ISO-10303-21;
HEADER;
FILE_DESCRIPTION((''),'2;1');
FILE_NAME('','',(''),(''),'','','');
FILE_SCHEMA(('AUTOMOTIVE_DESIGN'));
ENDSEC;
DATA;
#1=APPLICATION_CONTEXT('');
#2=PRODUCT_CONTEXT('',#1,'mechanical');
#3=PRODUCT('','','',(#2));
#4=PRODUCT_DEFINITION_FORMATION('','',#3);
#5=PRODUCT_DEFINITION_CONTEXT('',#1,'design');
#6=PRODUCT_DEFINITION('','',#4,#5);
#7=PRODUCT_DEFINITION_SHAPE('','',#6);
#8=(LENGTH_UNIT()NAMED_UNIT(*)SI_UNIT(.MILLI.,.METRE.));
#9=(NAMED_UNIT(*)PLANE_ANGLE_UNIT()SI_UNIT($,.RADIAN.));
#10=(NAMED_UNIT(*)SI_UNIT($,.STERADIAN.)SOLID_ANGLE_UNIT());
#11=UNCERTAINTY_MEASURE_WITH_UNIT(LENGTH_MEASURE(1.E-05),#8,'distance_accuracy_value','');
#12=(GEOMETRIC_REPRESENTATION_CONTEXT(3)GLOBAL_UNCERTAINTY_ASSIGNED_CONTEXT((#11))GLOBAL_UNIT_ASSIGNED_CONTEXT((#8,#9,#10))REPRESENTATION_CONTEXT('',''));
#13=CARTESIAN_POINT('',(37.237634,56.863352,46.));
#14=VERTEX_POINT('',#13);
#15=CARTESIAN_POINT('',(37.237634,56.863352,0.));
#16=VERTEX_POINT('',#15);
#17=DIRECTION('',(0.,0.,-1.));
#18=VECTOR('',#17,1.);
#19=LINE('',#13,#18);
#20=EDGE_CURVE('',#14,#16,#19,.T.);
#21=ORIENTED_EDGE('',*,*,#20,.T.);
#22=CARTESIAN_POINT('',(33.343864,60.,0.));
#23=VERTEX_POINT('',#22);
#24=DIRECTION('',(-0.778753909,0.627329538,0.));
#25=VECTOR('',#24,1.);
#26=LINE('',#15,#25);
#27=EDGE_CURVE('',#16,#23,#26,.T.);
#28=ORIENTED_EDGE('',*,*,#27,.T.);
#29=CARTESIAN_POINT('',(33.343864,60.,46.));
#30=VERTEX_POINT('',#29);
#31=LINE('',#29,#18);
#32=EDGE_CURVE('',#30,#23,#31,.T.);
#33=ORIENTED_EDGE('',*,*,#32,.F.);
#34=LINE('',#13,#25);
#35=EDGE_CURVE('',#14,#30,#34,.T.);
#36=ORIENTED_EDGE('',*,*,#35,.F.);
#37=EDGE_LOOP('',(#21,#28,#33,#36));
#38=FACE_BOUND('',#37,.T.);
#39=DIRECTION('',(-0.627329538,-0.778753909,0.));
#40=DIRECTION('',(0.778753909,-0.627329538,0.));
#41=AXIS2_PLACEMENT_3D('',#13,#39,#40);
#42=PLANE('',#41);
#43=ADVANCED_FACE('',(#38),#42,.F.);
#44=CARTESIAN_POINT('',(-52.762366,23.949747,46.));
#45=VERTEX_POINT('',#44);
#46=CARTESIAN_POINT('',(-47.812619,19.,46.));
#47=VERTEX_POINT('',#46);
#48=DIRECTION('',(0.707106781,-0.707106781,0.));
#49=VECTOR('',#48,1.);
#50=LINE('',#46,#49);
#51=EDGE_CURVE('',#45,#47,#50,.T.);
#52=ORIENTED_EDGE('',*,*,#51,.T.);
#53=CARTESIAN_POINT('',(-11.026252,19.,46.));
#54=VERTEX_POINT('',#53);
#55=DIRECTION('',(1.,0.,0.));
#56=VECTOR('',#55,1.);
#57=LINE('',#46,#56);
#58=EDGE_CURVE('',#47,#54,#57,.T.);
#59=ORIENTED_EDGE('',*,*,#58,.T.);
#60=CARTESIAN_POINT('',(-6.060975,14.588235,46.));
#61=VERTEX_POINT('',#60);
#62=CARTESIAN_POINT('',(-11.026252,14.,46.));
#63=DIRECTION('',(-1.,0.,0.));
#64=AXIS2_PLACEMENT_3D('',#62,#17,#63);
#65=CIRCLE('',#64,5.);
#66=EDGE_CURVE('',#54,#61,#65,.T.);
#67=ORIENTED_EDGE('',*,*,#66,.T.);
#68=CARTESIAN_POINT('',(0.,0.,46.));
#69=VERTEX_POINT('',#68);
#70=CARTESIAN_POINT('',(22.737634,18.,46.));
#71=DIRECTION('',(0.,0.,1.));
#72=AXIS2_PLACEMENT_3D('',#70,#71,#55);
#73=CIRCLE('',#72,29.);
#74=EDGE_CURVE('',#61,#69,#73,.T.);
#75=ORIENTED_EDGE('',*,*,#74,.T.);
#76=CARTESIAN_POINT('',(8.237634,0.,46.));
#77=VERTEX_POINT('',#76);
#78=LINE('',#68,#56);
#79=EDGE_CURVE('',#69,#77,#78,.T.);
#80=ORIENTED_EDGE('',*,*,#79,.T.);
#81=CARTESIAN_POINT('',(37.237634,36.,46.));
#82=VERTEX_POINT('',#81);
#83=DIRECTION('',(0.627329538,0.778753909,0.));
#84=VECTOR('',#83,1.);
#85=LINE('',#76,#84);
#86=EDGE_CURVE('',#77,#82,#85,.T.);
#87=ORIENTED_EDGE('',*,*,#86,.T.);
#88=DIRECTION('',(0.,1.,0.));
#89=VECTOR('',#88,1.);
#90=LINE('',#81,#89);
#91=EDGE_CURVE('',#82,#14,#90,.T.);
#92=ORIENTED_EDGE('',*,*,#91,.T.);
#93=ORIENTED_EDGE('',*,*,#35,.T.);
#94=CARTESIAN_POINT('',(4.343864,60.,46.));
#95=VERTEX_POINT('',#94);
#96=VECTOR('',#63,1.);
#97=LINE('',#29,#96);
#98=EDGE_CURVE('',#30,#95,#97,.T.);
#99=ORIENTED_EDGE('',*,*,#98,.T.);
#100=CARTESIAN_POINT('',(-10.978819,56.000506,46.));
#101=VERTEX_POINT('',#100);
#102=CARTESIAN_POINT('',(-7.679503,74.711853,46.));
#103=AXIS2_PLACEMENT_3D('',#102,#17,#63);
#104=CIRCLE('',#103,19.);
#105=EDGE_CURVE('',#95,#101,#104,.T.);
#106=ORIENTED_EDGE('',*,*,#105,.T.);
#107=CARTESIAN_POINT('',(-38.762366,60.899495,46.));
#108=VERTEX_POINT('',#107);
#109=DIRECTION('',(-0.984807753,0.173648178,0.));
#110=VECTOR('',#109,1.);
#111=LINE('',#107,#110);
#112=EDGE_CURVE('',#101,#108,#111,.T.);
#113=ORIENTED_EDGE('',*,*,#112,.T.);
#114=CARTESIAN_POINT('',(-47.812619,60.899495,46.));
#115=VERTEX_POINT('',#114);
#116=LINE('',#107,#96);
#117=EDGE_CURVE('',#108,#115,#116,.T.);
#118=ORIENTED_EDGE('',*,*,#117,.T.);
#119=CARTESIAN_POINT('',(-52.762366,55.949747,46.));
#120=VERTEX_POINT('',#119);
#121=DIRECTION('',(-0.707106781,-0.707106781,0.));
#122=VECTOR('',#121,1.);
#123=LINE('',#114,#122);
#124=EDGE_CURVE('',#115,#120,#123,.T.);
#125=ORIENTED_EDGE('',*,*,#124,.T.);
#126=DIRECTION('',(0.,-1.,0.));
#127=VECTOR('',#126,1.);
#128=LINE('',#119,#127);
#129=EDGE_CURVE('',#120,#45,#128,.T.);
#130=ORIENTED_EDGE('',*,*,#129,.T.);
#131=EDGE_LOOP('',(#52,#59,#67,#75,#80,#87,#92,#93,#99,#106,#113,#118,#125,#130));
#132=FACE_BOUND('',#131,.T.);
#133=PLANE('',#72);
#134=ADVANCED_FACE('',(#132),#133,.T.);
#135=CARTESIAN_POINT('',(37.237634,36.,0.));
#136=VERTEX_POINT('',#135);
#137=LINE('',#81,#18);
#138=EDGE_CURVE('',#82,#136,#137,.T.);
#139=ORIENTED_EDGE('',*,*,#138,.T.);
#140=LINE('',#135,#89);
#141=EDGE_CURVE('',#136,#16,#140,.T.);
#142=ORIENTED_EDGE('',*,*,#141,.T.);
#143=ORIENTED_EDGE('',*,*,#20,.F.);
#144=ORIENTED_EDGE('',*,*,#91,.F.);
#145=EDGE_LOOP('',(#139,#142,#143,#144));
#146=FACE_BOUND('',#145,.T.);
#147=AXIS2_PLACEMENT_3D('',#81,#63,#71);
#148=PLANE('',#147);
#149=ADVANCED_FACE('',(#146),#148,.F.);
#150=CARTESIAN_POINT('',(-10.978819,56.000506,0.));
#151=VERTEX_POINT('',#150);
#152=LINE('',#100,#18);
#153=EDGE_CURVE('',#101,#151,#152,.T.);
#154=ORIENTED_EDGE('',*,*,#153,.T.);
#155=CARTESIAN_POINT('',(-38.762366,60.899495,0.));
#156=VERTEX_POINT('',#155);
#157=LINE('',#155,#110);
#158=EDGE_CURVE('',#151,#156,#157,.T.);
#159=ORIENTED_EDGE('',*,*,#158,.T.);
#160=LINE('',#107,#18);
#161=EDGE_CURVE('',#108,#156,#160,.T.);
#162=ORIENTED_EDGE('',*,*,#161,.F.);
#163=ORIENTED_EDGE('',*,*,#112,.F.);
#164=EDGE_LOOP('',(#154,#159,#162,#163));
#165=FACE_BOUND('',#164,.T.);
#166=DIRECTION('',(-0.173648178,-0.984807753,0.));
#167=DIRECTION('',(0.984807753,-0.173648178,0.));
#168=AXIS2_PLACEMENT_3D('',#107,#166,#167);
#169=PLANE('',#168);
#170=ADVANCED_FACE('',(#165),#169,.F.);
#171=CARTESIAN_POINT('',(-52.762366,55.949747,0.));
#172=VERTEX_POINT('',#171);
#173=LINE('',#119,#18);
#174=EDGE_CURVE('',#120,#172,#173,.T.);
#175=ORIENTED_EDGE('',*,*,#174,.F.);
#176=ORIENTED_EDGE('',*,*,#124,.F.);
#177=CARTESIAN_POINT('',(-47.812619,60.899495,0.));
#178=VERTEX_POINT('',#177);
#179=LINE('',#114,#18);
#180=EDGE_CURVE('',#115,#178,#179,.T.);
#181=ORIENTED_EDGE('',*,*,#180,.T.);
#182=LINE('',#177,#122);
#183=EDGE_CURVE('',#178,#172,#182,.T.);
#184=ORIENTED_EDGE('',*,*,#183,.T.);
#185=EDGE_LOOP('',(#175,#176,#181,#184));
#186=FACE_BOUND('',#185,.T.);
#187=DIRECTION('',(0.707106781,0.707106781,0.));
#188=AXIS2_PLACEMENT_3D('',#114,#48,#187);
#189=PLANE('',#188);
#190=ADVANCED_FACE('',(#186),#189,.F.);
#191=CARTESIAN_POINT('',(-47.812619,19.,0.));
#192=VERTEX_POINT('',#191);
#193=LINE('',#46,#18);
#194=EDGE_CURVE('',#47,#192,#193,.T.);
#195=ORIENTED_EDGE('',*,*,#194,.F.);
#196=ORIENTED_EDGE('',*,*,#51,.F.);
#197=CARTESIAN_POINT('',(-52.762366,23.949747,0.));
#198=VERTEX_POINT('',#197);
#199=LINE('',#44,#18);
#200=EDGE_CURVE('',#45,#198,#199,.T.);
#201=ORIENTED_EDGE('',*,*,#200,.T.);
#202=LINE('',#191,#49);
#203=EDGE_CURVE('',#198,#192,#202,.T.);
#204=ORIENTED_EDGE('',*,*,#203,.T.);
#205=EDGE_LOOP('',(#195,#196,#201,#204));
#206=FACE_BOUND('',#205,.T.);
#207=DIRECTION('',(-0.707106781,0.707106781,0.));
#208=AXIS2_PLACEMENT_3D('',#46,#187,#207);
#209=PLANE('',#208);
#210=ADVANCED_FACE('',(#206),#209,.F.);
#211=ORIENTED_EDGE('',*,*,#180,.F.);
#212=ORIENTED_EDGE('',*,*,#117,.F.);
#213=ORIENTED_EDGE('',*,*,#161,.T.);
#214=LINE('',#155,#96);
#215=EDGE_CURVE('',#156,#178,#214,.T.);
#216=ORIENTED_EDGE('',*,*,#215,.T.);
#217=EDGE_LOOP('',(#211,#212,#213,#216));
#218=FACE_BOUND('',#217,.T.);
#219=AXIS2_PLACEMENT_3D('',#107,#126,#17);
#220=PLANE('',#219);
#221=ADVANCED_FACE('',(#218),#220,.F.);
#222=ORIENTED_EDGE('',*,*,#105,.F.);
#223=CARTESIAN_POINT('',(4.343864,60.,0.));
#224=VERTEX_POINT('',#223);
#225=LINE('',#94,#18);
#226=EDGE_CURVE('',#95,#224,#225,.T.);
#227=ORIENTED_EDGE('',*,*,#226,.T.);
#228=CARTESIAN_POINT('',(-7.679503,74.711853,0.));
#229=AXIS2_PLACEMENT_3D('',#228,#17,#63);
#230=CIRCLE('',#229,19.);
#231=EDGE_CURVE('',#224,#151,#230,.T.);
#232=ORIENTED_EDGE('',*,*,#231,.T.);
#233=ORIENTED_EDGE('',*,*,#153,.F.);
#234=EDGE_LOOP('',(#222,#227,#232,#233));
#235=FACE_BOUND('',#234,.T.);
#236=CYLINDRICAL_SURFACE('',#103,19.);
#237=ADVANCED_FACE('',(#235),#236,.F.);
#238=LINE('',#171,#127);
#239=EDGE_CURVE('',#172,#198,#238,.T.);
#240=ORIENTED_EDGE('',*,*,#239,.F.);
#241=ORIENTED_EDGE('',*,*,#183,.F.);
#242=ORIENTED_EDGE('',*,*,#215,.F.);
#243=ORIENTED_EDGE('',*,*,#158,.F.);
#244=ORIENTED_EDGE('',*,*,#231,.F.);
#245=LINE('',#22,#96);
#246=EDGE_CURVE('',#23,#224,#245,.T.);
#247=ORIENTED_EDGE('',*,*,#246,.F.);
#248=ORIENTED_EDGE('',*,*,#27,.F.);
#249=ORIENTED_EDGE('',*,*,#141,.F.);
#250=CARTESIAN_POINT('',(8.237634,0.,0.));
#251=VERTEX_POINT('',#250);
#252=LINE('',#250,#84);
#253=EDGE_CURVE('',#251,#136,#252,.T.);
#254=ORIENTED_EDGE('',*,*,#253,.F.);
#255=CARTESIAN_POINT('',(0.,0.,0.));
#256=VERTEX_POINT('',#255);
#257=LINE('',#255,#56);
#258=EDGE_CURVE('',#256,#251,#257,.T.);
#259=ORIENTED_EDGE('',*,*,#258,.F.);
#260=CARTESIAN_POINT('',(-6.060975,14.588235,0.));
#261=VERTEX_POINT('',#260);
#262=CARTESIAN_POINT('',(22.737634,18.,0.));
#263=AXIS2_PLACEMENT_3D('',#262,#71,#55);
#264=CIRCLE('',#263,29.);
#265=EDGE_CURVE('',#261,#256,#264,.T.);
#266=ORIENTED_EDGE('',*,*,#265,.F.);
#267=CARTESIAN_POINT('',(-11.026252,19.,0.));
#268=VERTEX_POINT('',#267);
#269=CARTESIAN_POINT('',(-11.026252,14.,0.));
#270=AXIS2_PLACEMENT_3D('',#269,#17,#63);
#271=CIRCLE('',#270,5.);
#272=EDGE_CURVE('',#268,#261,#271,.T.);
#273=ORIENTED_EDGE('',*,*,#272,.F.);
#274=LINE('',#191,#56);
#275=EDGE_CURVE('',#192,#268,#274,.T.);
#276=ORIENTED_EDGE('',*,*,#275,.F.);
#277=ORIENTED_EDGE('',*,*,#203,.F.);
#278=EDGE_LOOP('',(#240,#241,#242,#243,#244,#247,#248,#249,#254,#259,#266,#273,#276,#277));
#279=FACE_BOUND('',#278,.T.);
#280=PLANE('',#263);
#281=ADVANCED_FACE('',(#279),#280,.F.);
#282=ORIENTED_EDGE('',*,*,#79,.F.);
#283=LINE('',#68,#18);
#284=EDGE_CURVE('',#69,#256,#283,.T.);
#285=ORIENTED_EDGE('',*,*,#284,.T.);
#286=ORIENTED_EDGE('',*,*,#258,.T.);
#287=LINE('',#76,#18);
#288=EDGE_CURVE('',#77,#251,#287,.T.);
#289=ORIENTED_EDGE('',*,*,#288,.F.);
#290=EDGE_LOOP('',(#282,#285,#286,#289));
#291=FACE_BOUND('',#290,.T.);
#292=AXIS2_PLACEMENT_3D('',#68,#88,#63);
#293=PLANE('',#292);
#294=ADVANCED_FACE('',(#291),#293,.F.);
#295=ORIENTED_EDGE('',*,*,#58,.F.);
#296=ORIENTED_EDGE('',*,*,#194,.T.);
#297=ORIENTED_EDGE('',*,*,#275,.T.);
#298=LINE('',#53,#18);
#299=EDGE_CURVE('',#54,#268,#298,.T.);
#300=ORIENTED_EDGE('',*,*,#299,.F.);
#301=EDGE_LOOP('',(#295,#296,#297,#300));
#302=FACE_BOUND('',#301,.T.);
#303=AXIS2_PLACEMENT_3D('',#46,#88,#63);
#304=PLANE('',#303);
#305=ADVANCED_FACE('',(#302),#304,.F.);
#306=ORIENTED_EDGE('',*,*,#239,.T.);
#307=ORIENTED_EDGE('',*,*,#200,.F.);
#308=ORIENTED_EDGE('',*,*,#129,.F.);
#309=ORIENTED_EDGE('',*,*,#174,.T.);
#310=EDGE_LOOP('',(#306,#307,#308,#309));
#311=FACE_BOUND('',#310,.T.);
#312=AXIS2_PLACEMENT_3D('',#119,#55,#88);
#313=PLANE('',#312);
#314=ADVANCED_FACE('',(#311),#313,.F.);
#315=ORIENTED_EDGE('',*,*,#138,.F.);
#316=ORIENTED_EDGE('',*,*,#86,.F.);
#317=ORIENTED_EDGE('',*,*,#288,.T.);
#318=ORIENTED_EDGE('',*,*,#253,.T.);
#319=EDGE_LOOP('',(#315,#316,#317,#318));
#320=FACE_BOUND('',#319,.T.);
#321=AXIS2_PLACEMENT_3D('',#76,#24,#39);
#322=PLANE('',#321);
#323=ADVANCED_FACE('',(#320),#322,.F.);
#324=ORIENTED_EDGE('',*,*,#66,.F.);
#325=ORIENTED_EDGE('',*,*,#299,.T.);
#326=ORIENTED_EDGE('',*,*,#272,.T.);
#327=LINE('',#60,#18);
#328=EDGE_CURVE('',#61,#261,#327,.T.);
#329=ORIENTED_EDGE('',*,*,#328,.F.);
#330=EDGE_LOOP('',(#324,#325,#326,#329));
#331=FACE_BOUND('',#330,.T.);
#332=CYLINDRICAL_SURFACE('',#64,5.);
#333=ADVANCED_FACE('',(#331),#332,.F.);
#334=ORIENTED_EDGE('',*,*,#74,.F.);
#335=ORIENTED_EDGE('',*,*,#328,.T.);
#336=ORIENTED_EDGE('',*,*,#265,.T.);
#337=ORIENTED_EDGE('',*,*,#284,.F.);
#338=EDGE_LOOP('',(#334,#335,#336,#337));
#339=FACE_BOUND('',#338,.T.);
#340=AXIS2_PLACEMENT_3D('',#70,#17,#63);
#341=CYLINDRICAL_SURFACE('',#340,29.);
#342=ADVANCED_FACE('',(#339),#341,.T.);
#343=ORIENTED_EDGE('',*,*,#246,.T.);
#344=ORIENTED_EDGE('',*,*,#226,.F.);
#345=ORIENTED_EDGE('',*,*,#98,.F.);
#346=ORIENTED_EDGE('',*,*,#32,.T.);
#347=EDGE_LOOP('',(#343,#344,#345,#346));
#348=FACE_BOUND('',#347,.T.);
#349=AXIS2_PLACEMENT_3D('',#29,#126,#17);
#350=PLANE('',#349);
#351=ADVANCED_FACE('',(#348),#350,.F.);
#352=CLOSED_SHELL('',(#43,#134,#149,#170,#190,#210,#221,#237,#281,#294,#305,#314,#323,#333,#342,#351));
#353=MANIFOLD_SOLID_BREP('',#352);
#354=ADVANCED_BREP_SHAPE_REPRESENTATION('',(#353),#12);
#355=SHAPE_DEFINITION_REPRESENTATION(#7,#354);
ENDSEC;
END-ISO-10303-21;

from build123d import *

# Parameters (mm, degrees)
DODANIE_WYCI_GNI_CIE1_DEPTH = 46


with BuildPart() as part:
    # Szkic1 → Dodanie-wyciągnięcie1 (new body)
    with BuildSketch(Plane.XY):
        with BuildLine():
            Line((0, 0), (8.237634002, 0))
            Line((8.237634002, 0), (37.237634002, 36))
            Line((37.237634002, 36), (37.237634002, 56.863352311))
            Line((37.237634002, 56.863352311), (33.343864456, 60))
            Line((33.343864456, 60), (4.343864456, 60))
            ThreePointArc((4.343864456, 60), (-2.880934736, 56.327791154), (-10.978818754, 56.000505938))
            Line((-10.978818754, 56.000505938), (-38.762365998, 60.899494937))
            Line((-38.762365998, 60.899494937), (-47.81261853, 60.899494937))
            Line((-47.81261853, 60.899494937), (-52.762365998, 55.949747468))
            Line((-52.762365998, 55.949747468), (-52.762365998, 23.949747468))
            Line((-52.762365998, 23.949747468), (-47.81261853, 19))
            Line((-47.81261853, 19), (-11.02625203, 19))
            ThreePointArc((-11.02625203, 19), (-7.70519621, 17.737725008), (-6.060974673, 14.588235294))
            ThreePointArc((-6.060974673, 14.588235294), (-4.04296027, 6.873465479), (0, 0))
        make_face()
    extrude(amount=DODANIE_WYCI_GNI_CIE1_DEPTH)


solid = part.part
